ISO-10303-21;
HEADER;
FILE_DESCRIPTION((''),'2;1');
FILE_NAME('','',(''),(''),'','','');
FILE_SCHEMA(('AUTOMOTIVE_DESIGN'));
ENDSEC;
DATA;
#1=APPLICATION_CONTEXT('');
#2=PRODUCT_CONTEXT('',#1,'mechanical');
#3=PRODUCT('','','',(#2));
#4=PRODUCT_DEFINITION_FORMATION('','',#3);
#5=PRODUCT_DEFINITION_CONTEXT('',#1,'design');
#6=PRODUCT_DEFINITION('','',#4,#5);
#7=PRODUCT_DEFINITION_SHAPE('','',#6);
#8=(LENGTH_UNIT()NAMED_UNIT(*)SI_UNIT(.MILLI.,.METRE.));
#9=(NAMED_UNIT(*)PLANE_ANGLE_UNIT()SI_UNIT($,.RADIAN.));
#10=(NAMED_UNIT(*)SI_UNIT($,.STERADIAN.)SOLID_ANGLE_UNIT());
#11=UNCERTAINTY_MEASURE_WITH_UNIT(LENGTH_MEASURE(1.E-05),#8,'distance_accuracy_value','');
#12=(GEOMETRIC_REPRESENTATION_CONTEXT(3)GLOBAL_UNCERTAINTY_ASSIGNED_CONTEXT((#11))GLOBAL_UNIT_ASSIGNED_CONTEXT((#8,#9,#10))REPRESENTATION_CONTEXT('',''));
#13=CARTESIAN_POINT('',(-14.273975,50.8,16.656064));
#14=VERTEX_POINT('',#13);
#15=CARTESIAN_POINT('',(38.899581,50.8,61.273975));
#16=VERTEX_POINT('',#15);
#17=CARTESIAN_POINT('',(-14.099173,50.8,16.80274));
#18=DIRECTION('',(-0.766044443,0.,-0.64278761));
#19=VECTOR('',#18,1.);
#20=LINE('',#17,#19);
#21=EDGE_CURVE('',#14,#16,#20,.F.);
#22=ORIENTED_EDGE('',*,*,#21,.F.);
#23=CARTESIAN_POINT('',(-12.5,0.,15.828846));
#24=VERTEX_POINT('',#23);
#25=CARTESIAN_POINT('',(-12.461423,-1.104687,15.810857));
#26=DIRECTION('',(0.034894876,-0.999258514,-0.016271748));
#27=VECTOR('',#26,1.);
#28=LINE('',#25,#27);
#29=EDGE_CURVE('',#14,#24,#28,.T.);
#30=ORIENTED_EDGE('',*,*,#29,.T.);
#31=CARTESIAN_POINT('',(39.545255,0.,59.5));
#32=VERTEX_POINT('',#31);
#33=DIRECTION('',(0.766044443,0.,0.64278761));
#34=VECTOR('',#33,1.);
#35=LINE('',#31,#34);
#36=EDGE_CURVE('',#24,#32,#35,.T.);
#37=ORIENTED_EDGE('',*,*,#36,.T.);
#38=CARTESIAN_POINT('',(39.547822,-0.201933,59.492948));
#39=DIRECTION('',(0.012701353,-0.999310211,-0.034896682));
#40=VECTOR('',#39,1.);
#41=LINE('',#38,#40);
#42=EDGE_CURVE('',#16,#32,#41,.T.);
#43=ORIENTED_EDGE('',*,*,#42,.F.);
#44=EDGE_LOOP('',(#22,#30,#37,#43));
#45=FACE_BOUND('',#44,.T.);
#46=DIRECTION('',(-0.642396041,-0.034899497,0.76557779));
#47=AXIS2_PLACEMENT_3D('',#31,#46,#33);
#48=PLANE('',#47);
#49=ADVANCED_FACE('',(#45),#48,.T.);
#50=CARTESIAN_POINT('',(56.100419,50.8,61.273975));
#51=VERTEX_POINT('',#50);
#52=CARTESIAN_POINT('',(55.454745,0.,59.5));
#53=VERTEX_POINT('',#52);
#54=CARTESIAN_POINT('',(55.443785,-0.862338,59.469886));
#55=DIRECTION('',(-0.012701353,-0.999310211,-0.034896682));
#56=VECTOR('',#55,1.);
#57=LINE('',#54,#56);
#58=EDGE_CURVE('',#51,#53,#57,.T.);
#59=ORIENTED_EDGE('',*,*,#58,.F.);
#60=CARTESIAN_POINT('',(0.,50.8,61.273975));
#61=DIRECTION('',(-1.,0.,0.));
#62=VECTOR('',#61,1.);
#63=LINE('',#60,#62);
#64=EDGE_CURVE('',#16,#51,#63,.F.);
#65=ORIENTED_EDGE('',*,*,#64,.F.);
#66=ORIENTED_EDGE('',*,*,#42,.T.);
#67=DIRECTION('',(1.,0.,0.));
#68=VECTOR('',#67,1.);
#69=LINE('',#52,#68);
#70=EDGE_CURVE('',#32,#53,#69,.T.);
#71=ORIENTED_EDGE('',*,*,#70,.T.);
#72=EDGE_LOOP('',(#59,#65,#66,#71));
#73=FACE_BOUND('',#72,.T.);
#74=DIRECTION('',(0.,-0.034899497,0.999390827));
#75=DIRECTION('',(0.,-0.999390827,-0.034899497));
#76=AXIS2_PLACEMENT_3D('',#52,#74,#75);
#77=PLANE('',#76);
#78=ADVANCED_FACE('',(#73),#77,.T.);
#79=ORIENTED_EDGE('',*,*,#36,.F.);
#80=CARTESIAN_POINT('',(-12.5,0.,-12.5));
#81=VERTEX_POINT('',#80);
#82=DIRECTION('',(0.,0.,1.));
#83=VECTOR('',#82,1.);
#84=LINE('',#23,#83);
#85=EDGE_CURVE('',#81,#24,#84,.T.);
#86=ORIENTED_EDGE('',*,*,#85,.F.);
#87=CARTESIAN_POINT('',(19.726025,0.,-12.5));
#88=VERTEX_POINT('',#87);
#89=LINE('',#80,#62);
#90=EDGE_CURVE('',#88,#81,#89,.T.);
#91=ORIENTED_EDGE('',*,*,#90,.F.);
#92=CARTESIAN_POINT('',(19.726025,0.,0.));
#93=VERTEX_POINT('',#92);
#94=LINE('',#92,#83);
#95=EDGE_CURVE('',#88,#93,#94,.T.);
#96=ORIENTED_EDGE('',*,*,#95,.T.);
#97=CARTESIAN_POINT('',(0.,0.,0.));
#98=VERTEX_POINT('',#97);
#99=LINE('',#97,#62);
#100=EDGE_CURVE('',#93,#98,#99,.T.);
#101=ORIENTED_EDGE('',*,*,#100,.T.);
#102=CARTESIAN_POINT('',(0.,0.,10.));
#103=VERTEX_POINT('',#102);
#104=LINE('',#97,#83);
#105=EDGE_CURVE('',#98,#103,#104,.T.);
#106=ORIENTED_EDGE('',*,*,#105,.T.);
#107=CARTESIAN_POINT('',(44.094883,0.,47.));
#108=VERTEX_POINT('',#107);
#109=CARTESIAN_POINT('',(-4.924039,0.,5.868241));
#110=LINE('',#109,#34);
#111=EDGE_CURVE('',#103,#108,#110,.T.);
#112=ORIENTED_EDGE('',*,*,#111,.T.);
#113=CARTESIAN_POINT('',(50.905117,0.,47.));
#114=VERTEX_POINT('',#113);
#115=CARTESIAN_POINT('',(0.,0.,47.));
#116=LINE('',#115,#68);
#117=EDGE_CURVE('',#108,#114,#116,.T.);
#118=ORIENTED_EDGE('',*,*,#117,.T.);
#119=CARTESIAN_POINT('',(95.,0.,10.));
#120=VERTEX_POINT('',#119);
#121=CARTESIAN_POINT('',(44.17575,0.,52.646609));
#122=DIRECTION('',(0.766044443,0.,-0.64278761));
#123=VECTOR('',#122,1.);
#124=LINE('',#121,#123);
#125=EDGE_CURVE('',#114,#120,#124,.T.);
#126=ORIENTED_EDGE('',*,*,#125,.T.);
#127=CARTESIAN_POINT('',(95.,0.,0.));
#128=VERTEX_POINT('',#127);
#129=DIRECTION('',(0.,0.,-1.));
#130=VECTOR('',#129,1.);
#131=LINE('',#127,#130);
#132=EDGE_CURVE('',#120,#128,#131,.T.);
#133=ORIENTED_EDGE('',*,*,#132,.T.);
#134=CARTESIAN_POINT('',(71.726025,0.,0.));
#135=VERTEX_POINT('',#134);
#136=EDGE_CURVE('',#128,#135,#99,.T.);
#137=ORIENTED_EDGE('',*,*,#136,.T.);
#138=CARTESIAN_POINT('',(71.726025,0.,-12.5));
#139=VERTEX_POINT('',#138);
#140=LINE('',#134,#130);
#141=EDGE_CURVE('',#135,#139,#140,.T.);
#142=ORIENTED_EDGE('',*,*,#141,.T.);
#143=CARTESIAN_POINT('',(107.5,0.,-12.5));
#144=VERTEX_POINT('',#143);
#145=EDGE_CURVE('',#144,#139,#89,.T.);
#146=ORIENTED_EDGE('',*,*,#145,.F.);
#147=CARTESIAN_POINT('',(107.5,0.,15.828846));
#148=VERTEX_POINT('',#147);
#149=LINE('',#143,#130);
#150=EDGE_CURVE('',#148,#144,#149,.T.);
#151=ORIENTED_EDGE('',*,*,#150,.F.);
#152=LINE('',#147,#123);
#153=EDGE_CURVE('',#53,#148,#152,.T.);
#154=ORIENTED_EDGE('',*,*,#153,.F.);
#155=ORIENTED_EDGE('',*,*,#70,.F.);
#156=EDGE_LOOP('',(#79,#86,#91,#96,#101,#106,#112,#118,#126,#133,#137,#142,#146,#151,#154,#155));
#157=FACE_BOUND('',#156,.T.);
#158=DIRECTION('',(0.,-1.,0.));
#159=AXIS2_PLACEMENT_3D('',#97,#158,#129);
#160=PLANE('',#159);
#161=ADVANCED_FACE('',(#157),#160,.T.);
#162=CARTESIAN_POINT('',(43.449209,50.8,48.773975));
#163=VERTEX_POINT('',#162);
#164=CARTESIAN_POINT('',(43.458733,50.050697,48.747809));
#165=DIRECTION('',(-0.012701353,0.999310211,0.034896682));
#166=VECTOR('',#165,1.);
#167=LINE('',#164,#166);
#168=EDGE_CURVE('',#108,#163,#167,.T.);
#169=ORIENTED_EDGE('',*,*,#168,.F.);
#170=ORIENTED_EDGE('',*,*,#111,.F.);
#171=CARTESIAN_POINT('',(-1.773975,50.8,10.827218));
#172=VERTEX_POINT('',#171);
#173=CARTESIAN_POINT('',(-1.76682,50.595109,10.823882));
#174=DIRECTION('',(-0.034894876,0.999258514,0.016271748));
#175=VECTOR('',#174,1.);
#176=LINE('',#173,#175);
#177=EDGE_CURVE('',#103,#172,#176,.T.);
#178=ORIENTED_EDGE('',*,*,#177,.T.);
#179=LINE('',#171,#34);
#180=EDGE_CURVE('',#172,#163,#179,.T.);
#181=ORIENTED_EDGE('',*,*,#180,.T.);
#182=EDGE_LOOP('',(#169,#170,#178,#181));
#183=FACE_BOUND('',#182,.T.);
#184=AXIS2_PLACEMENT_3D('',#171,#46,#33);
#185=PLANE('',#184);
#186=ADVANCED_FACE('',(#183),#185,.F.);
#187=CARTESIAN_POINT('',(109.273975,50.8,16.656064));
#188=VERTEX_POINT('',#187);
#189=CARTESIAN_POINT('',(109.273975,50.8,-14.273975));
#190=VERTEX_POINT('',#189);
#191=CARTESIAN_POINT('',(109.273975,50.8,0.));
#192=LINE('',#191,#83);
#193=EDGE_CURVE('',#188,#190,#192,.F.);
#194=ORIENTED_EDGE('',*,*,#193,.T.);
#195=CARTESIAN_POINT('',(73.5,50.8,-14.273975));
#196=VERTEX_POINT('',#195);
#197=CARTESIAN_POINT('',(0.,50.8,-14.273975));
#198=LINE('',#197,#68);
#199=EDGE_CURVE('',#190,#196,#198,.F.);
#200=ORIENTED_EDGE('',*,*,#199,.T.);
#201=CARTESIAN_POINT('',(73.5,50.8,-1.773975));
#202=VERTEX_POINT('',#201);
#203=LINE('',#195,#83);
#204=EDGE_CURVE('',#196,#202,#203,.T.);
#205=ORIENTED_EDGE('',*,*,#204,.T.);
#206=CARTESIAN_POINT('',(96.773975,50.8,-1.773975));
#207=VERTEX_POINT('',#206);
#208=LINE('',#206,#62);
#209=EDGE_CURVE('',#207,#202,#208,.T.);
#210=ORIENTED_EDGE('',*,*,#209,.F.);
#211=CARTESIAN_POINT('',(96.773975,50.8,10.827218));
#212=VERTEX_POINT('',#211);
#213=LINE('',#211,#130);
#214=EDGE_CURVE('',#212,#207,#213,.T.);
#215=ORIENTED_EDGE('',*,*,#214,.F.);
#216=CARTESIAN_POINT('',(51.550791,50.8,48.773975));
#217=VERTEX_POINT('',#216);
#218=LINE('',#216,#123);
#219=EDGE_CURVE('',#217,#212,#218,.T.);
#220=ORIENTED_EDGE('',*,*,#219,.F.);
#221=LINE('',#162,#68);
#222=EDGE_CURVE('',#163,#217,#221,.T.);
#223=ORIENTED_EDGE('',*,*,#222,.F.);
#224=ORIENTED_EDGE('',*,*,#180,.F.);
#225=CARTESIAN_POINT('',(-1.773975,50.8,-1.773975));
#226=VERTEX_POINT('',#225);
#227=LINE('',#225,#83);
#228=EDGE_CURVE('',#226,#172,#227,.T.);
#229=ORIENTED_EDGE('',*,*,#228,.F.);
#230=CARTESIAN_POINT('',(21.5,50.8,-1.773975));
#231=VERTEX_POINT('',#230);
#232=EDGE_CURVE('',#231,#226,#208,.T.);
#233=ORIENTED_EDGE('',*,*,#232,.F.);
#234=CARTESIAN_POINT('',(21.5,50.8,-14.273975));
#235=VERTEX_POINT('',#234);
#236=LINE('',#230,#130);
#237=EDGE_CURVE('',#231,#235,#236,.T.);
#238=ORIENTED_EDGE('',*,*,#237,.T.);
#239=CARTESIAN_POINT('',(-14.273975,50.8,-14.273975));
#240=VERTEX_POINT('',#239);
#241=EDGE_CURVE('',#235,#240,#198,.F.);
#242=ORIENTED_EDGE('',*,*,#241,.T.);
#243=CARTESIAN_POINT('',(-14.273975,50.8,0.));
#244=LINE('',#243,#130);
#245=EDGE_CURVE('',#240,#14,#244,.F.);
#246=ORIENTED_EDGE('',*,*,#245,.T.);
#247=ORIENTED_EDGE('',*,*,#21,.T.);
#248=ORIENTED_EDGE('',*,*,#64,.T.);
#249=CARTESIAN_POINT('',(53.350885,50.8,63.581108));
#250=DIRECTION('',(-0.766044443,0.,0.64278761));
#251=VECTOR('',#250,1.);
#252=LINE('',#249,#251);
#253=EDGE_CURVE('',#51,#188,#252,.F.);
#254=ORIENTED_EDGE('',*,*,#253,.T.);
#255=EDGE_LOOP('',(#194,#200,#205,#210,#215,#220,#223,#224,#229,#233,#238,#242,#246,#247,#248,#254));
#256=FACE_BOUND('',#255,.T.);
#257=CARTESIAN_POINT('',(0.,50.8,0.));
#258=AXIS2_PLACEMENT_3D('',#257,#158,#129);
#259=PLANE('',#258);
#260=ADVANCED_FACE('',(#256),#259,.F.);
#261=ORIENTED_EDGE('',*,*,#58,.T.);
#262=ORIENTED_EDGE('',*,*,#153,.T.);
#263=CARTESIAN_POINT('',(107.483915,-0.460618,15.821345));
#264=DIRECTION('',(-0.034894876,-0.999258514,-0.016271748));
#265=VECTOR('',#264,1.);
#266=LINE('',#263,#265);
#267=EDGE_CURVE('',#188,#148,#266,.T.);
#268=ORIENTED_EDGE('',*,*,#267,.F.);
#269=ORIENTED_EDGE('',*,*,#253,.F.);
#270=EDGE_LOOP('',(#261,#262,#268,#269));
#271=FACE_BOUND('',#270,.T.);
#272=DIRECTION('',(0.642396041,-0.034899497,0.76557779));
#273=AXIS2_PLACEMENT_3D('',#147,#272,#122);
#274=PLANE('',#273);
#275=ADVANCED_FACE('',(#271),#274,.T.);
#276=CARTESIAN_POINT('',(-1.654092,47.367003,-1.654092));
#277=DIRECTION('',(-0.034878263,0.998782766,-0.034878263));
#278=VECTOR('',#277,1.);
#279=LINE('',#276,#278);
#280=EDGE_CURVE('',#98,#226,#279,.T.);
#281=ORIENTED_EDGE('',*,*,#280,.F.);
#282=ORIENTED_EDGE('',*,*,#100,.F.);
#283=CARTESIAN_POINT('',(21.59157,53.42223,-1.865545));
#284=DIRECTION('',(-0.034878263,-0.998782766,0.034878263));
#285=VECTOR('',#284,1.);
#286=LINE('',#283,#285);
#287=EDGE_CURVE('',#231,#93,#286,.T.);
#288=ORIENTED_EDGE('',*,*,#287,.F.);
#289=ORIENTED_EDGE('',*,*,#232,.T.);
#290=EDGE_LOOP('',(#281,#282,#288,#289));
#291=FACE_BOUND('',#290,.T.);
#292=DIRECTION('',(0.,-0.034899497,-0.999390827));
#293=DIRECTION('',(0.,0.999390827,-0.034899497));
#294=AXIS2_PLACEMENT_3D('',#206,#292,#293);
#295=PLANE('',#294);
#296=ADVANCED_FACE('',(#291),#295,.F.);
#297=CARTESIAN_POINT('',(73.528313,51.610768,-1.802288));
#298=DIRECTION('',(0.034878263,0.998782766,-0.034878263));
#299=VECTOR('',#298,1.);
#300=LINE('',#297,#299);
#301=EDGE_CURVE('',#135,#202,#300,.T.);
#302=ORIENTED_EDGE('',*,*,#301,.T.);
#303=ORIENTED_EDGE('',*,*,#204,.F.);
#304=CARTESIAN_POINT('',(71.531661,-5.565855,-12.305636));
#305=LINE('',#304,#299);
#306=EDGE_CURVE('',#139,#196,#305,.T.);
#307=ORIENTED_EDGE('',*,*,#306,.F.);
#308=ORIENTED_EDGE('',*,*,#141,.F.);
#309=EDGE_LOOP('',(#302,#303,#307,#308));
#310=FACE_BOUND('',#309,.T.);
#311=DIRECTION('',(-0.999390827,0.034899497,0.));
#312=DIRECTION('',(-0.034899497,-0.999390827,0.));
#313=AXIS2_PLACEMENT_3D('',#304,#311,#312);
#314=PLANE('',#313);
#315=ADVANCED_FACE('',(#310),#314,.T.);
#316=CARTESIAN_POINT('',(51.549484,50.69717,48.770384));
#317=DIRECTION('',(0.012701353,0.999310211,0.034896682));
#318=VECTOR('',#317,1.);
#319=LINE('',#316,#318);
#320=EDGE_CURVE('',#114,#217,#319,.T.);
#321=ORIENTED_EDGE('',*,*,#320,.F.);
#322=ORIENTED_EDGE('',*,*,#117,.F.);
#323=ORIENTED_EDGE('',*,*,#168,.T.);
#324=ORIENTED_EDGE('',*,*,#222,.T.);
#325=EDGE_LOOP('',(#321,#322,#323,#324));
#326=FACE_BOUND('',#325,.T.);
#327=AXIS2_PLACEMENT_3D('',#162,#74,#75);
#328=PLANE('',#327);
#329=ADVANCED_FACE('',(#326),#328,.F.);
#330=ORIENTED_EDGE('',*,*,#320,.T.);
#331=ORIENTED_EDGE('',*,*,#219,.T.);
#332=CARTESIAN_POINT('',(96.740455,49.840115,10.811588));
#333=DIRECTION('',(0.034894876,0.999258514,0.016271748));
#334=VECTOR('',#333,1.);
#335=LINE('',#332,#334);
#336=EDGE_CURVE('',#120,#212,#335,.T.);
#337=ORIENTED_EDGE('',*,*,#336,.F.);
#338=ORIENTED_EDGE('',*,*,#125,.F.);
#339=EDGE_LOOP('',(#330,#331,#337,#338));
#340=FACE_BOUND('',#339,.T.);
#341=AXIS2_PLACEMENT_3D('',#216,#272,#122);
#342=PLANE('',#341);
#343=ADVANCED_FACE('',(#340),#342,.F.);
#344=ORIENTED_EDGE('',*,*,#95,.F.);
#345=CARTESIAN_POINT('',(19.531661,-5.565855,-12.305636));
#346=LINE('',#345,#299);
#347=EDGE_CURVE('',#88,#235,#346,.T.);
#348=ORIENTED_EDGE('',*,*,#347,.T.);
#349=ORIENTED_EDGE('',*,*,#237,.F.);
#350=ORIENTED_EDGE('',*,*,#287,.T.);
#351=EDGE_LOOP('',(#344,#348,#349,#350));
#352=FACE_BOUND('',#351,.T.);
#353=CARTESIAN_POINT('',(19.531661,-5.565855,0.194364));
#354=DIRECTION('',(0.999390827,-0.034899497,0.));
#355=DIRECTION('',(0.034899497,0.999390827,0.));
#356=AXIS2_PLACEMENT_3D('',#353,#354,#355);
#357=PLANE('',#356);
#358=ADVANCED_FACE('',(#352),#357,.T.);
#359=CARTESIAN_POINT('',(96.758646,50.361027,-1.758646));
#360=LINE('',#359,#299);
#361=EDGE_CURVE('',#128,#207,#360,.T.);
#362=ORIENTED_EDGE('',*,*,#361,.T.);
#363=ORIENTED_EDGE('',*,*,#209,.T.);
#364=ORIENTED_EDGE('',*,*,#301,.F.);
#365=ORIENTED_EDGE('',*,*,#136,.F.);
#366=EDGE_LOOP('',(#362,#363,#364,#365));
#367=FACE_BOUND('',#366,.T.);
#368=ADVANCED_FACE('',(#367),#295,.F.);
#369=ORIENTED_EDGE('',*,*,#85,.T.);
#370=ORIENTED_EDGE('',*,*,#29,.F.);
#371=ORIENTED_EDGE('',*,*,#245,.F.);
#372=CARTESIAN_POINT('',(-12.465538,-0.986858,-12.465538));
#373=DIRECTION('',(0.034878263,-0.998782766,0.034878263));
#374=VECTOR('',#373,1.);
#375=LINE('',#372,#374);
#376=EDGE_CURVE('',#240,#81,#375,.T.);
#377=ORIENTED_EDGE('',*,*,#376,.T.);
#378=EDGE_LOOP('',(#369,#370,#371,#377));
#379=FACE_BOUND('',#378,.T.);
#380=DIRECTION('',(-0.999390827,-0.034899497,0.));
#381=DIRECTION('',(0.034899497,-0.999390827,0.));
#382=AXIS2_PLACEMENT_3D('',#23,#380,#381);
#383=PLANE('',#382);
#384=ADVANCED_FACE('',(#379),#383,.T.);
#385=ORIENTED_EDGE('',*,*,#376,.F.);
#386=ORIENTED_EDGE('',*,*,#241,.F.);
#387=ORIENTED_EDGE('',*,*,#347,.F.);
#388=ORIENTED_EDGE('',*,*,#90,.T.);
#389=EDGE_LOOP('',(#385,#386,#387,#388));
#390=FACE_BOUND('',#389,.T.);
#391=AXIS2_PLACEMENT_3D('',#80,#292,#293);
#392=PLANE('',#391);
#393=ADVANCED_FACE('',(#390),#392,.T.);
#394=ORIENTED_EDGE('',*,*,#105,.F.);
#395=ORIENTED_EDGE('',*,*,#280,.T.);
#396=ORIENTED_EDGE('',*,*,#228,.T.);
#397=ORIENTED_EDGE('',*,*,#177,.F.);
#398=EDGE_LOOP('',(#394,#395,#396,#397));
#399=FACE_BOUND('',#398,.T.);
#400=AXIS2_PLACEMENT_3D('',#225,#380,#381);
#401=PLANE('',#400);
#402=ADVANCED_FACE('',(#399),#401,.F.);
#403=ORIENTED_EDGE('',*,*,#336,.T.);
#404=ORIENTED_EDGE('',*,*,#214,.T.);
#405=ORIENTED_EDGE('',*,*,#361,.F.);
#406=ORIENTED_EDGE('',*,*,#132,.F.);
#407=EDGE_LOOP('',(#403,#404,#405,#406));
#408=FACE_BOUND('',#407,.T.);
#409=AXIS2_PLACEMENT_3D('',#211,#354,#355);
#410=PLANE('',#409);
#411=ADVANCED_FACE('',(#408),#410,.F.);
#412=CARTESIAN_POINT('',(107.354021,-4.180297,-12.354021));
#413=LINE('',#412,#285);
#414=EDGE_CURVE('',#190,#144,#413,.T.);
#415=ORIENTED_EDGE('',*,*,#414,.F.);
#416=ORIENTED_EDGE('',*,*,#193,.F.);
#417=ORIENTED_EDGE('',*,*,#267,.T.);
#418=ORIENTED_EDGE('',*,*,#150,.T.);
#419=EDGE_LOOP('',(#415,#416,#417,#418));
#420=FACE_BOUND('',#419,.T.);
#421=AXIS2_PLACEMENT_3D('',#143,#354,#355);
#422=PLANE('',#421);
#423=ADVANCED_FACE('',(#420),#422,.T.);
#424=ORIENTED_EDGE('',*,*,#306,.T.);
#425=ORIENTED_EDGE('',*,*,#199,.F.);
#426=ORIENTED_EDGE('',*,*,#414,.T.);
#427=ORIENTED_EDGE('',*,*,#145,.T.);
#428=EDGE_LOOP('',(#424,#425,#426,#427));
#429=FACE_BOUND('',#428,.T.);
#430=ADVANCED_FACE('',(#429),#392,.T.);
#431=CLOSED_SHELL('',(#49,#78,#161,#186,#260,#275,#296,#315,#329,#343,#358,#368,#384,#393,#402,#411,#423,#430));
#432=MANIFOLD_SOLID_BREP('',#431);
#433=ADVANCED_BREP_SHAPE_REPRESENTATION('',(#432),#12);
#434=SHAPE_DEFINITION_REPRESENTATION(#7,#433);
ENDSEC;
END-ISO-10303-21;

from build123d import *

# Parameters (mm, degrees)
SALIENTE_EXTRUIR1_DEPTH = 50.8
SALIENTE_EXTRUIR1_TAPER = -2
CORTAR_EXTRUIR1_DEPTH   = 50.8
CORTAR_EXTRUIR1_TAPER   = 2
CROQUIS5_W              = 52
CROQUIS5_H              = 12.5
CORTAR_EXTRUIR2_DEPTH   = 51.863129667


with BuildPart() as part:
    # Croquis2 → Saliente-Extruir1 (new body)
    with BuildSketch(Plane(origin=(0, 0, 0), x_dir=(1, 0, 0), z_dir=(0, 1, 0))):
        Polygon((-12.5, 12.5), (-12.5, -15.828845727), (39.545254998, -59.5), (55.454745002, -59.5), (107.5, -15.828845727), (107.5, 12.5), align=None)
    extrude(amount=SALIENTE_EXTRUIR1_DEPTH, taper=SALIENTE_EXTRUIR1_TAPER)

    # Croquis3 → Cortar-Extruir1 (cut)
    with BuildSketch(Plane(origin=(0, 50.8, 0), x_dir=(1, 0, 0), z_dir=(0, 1, 0))):
        Polygon((-1.77397509, 1.77397509), (-1.77397509, -10.82721817), (43.449208797, -48.77397509), (51.550791203, -48.77397509), (96.77397509, -10.82721817), (96.77397509, 1.77397509), align=None)
    extrude(amount=-CORTAR_EXTRUIR1_DEPTH, taper=CORTAR_EXTRUIR1_TAPER, mode=Mode.SUBTRACT)

    # Croquis5 → Cortar-Extruir2 (cut, through all, along a direction that is not the sketch's normal)
    with BuildSketch(Plane.XZ.offset(-50.8)):
        with Locations((47.5, -8.02397509)):
            Rectangle(CROQUIS5_W, CROQUIS5_H)
    extrude(amount=CORTAR_EXTRUIR2_DEPTH, dir=(-0.034878263, -0.998782766, 0.034878263), mode=Mode.SUBTRACT)


solid = part.part
